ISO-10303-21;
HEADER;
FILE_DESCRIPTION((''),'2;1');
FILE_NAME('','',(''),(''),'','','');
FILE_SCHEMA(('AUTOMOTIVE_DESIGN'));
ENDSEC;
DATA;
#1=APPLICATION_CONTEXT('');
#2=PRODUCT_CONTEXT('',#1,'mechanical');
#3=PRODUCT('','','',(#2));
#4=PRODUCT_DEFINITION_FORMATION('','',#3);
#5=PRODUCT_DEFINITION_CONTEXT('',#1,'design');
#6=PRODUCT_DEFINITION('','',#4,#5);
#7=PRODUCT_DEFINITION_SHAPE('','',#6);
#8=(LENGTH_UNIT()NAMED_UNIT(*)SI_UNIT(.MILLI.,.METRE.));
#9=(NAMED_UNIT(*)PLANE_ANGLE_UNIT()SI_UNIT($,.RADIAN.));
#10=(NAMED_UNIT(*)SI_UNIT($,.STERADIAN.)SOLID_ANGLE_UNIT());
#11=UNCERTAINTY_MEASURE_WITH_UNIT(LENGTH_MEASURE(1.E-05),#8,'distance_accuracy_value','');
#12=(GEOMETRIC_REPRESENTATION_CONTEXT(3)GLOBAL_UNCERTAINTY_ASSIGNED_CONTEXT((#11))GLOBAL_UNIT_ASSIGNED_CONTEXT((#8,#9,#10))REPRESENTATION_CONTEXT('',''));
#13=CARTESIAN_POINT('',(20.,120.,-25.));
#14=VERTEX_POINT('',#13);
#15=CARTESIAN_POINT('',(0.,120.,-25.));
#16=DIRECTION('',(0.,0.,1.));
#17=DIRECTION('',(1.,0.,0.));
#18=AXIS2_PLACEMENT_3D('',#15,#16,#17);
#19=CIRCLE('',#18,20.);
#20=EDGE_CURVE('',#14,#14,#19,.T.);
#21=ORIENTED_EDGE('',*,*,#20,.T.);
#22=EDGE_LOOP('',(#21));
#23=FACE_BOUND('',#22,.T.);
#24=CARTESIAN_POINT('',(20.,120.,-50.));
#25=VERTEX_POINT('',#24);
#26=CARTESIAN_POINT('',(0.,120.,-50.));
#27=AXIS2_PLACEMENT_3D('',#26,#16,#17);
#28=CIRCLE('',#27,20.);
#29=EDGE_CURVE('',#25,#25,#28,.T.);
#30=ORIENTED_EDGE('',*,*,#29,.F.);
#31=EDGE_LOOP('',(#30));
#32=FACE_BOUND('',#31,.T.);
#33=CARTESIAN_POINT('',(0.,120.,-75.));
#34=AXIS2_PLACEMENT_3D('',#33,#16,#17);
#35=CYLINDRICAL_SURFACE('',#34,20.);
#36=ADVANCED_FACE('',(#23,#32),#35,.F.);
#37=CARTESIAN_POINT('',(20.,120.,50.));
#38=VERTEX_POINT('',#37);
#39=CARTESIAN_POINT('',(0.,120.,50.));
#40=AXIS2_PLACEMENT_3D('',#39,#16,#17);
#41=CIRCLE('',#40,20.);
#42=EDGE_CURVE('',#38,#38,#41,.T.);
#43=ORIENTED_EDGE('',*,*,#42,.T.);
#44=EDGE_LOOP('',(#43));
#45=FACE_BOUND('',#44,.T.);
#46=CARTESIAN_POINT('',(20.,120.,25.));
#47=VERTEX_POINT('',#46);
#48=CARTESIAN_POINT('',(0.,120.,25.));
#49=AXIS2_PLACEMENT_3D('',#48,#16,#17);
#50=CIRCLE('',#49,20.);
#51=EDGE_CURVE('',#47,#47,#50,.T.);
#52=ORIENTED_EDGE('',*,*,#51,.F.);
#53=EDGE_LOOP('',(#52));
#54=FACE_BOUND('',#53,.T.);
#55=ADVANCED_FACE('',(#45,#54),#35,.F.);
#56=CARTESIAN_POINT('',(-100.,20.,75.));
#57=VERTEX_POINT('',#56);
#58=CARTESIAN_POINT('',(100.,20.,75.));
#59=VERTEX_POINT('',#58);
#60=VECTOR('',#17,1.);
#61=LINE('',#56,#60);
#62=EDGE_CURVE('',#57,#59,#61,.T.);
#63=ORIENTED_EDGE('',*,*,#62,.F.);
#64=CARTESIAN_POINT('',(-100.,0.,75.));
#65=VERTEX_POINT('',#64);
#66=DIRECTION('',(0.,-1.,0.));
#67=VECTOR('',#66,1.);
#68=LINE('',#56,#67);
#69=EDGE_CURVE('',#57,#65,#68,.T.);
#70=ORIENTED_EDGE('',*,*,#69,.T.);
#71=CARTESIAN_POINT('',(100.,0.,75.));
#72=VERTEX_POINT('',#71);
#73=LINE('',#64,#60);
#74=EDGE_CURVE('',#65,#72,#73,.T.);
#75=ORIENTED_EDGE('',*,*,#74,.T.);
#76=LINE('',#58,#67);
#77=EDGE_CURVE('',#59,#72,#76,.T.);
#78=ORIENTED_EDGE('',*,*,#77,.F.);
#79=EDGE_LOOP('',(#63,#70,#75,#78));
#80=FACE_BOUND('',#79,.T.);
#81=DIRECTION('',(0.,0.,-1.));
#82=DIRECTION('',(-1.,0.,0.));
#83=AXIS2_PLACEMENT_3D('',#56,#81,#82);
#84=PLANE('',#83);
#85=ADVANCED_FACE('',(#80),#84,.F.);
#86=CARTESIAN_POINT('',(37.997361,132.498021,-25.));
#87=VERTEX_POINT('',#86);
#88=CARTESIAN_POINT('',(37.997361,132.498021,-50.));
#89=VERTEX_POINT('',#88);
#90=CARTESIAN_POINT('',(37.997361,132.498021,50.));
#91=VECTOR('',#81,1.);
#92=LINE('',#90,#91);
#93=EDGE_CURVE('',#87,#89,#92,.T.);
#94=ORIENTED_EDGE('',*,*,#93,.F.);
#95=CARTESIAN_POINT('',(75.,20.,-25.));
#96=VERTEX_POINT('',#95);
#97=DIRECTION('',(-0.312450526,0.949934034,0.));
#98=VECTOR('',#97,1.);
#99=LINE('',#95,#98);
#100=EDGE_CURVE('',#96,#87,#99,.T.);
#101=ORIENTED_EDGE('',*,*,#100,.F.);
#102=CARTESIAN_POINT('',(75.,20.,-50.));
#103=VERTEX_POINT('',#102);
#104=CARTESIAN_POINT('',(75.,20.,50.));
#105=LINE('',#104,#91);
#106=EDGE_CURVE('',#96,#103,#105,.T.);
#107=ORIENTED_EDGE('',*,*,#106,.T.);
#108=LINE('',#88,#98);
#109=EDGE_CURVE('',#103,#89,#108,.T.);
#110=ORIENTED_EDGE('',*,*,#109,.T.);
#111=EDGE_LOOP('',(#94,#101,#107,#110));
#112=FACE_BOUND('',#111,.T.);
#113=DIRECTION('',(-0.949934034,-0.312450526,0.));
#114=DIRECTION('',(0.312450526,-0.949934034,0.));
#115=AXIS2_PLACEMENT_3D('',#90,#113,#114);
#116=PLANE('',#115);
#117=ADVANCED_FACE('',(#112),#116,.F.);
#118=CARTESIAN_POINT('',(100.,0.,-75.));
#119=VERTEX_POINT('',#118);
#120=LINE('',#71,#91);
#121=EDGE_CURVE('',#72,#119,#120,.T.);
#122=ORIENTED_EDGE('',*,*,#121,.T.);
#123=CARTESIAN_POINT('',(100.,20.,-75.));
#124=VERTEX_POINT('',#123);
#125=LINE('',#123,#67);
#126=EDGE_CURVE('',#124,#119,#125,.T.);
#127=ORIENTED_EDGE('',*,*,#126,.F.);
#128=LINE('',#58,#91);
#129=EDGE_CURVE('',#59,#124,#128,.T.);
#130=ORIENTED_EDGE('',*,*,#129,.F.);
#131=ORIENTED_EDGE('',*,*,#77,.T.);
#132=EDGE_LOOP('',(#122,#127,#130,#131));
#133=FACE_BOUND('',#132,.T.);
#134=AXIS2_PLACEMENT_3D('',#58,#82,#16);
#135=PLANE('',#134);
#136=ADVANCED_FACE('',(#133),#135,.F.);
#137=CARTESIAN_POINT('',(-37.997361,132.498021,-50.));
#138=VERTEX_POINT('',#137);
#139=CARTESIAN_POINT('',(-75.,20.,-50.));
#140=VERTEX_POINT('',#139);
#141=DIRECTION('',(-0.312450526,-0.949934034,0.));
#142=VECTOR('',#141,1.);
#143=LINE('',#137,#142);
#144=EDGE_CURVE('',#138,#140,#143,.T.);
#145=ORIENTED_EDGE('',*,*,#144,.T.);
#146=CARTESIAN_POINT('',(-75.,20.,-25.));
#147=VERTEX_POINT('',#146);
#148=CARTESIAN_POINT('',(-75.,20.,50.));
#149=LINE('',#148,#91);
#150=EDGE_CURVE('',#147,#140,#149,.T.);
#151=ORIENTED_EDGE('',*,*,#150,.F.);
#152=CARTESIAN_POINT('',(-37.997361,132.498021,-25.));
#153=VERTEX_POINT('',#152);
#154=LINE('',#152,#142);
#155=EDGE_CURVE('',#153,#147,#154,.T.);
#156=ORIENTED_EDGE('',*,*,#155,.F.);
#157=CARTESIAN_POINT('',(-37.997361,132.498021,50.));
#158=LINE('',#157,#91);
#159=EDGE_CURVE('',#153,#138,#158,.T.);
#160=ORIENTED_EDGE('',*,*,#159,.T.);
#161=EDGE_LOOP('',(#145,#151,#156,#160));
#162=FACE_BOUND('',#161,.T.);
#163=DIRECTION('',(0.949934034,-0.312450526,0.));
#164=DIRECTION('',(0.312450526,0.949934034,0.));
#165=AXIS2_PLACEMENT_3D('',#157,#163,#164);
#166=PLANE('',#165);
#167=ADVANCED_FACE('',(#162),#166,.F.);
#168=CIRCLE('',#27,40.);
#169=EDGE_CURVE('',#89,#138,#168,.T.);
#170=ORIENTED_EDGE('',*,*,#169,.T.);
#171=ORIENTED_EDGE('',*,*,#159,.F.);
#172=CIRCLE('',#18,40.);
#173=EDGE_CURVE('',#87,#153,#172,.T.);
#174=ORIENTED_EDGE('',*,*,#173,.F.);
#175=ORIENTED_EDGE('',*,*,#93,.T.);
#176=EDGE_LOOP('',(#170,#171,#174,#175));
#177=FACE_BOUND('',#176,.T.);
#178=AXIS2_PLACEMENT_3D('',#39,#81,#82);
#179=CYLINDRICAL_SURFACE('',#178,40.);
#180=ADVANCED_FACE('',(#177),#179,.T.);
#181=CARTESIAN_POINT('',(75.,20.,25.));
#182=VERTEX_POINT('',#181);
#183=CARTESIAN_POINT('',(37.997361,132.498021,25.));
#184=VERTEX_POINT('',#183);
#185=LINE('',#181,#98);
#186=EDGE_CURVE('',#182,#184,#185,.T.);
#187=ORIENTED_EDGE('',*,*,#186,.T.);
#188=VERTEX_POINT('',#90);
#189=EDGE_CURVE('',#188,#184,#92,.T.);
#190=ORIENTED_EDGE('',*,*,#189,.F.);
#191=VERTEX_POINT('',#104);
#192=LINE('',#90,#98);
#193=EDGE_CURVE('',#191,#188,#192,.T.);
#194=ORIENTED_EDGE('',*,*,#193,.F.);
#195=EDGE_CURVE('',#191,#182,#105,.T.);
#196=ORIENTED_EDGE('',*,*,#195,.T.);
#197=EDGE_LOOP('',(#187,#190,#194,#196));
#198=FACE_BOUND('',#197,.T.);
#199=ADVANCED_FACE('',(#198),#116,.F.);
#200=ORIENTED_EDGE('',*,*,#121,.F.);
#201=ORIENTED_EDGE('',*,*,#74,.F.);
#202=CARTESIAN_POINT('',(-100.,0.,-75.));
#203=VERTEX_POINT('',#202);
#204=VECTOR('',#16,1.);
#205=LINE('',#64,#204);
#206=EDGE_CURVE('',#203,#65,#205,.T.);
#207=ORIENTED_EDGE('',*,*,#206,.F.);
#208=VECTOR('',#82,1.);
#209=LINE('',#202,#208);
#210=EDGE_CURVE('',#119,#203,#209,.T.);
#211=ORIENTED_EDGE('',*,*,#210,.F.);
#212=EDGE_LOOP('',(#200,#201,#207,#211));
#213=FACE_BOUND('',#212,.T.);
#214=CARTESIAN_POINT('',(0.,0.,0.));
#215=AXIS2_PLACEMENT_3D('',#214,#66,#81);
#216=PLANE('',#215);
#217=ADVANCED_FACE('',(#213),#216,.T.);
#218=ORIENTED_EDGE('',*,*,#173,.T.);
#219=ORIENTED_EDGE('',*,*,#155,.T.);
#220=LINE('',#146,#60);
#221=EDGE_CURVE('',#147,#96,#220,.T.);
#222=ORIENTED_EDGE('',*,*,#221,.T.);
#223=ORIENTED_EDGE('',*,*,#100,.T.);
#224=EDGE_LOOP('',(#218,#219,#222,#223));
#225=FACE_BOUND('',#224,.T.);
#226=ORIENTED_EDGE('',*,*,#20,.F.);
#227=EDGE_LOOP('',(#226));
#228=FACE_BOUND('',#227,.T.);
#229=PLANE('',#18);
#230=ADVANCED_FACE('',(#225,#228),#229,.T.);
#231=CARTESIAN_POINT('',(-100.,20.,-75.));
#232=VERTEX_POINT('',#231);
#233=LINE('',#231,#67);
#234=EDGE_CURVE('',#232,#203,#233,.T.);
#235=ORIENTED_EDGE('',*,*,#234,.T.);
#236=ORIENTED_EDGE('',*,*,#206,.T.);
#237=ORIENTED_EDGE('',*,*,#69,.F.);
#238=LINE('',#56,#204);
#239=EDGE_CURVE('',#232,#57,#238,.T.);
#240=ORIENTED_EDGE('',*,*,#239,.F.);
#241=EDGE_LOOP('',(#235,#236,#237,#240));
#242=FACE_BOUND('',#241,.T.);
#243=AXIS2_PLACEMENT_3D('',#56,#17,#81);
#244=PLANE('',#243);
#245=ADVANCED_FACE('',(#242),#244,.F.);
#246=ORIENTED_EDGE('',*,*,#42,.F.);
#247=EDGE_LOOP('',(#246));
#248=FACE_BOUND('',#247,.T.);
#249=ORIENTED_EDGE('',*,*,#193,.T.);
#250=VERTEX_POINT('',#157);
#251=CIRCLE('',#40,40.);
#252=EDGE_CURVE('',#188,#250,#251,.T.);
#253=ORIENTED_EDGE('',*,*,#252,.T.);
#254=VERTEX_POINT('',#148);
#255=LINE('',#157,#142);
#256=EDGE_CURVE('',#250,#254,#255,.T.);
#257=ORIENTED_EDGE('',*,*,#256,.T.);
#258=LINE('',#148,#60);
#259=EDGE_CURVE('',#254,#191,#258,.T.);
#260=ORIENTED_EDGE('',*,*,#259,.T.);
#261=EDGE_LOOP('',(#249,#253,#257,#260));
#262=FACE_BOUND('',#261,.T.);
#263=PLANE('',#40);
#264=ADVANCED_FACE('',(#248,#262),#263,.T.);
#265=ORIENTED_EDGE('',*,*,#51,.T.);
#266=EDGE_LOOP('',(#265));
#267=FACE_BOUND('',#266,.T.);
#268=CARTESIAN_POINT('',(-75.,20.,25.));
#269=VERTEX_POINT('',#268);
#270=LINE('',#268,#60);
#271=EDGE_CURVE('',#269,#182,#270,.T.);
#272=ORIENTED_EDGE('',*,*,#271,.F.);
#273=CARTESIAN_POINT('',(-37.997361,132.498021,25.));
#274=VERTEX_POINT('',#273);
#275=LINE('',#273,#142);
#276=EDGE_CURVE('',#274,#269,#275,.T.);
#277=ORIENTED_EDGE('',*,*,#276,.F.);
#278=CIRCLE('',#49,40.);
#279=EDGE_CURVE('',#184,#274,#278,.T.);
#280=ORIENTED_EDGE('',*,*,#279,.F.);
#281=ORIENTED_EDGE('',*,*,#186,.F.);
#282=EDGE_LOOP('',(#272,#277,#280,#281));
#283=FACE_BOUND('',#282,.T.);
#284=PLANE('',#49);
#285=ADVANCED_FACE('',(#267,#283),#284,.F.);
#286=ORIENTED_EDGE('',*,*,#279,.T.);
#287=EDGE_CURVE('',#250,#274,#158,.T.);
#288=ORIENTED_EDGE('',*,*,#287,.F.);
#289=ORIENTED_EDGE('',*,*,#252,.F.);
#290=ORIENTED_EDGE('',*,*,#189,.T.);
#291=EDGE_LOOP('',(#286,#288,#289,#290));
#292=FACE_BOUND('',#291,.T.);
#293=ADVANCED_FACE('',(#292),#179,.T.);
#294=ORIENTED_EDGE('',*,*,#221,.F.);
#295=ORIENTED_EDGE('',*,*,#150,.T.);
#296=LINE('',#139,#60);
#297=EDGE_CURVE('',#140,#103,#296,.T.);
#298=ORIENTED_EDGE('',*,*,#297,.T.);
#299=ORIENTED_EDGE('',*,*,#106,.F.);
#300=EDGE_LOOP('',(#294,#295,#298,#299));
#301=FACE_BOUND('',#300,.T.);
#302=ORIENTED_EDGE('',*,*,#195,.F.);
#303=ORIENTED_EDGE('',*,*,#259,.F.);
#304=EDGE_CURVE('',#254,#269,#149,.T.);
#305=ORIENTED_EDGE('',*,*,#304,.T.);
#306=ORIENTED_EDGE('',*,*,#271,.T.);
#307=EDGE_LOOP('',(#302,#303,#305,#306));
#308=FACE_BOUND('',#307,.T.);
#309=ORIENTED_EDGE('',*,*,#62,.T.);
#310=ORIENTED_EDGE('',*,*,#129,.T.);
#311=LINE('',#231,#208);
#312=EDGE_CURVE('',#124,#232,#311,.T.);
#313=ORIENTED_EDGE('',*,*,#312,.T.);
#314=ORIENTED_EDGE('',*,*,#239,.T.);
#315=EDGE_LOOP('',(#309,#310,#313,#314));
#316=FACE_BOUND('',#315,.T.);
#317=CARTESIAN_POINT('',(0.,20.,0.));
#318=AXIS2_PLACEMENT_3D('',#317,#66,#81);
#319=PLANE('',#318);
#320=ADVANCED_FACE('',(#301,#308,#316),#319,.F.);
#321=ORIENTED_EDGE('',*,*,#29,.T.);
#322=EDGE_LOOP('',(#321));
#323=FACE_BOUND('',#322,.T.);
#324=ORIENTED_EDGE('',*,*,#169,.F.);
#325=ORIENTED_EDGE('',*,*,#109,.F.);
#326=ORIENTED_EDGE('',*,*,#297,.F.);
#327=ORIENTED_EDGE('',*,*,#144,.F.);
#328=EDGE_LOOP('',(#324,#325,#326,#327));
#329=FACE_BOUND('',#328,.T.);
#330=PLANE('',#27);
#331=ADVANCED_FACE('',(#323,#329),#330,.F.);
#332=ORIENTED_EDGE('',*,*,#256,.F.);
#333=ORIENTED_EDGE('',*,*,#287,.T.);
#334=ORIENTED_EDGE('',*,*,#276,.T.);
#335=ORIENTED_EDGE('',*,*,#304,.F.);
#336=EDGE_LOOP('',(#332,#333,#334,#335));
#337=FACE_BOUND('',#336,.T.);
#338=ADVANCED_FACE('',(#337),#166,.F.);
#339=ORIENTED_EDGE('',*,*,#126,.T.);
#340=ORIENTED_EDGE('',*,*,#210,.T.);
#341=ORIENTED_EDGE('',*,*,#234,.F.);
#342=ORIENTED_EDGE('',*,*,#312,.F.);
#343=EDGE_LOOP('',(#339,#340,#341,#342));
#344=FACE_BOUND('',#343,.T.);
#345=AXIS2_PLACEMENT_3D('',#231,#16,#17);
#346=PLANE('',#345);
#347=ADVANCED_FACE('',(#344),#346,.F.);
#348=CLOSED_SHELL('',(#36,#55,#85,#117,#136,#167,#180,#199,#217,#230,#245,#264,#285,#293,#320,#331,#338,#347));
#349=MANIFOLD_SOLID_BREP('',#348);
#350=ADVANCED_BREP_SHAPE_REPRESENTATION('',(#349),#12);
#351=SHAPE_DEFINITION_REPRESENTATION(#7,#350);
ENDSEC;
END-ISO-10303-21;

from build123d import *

# Parameters (mm, degrees)
SKETCH1_W           = 200
SKETCH1_H           = 150
BOSS_EXTRUDE1_DEPTH = 20
BOSS_EXTRUDE2_DEPTH = 50
CUT_EXTRUDE1_DEPTH  = 25
SKETCH6_R           = 20
CUT_EXTRUDE2_DEPTH  = 126


with BuildPart() as part:
    # Sketch1 → Boss-Extrude1 (new body)
    with BuildSketch(Plane(origin=(0, 0, 0), x_dir=(1, 0, 0), z_dir=(0, 1, 0))):
        Rectangle(SKETCH1_W, SKETCH1_H)
    extrude(amount=BOSS_EXTRUDE1_DEPTH)

    # Sketch3 → Boss-Extrude2 (add, symmetric)
    with BuildSketch(Plane.XY):
        with BuildLine():
            Line((-37.997361363, 132.498021022), (-75, 20))
            Line((-75, 20), (75, 20))
            Line((75, 20), (37.997361363, 132.498021022))
            ThreePointArc((37.997361363, 132.498021022), (0, 160), (-37.997361363, 132.498021022))
        make_face()
    extrude(amount=BOSS_EXTRUDE2_DEPTH, both=True)

    # Sketch5 → Cut-Extrude1 (cut, symmetric)
    with BuildSketch(Plane.XY):
        with BuildLine():
            Line((-37.997361363, 132.498021022), (-75, 20))
            Line((-75, 20), (75, 20))
            Line((75, 20), (37.997361363, 132.498021022))
            ThreePointArc((37.997361363, 132.498021022), (0, 160), (-37.997361363, 132.498021022))
        make_face()
    extrude(amount=CUT_EXTRUDE1_DEPTH, both=True, mode=Mode.SUBTRACT)

    # Sketch6 → Cut-Extrude2 (cut, through all)
    with BuildSketch(Plane.XY.offset(50)):
        with Locations((0, 120)):
            Circle(SKETCH6_R)
    extrude(amount=-CUT_EXTRUDE2_DEPTH, mode=Mode.SUBTRACT)


solid = part.part
